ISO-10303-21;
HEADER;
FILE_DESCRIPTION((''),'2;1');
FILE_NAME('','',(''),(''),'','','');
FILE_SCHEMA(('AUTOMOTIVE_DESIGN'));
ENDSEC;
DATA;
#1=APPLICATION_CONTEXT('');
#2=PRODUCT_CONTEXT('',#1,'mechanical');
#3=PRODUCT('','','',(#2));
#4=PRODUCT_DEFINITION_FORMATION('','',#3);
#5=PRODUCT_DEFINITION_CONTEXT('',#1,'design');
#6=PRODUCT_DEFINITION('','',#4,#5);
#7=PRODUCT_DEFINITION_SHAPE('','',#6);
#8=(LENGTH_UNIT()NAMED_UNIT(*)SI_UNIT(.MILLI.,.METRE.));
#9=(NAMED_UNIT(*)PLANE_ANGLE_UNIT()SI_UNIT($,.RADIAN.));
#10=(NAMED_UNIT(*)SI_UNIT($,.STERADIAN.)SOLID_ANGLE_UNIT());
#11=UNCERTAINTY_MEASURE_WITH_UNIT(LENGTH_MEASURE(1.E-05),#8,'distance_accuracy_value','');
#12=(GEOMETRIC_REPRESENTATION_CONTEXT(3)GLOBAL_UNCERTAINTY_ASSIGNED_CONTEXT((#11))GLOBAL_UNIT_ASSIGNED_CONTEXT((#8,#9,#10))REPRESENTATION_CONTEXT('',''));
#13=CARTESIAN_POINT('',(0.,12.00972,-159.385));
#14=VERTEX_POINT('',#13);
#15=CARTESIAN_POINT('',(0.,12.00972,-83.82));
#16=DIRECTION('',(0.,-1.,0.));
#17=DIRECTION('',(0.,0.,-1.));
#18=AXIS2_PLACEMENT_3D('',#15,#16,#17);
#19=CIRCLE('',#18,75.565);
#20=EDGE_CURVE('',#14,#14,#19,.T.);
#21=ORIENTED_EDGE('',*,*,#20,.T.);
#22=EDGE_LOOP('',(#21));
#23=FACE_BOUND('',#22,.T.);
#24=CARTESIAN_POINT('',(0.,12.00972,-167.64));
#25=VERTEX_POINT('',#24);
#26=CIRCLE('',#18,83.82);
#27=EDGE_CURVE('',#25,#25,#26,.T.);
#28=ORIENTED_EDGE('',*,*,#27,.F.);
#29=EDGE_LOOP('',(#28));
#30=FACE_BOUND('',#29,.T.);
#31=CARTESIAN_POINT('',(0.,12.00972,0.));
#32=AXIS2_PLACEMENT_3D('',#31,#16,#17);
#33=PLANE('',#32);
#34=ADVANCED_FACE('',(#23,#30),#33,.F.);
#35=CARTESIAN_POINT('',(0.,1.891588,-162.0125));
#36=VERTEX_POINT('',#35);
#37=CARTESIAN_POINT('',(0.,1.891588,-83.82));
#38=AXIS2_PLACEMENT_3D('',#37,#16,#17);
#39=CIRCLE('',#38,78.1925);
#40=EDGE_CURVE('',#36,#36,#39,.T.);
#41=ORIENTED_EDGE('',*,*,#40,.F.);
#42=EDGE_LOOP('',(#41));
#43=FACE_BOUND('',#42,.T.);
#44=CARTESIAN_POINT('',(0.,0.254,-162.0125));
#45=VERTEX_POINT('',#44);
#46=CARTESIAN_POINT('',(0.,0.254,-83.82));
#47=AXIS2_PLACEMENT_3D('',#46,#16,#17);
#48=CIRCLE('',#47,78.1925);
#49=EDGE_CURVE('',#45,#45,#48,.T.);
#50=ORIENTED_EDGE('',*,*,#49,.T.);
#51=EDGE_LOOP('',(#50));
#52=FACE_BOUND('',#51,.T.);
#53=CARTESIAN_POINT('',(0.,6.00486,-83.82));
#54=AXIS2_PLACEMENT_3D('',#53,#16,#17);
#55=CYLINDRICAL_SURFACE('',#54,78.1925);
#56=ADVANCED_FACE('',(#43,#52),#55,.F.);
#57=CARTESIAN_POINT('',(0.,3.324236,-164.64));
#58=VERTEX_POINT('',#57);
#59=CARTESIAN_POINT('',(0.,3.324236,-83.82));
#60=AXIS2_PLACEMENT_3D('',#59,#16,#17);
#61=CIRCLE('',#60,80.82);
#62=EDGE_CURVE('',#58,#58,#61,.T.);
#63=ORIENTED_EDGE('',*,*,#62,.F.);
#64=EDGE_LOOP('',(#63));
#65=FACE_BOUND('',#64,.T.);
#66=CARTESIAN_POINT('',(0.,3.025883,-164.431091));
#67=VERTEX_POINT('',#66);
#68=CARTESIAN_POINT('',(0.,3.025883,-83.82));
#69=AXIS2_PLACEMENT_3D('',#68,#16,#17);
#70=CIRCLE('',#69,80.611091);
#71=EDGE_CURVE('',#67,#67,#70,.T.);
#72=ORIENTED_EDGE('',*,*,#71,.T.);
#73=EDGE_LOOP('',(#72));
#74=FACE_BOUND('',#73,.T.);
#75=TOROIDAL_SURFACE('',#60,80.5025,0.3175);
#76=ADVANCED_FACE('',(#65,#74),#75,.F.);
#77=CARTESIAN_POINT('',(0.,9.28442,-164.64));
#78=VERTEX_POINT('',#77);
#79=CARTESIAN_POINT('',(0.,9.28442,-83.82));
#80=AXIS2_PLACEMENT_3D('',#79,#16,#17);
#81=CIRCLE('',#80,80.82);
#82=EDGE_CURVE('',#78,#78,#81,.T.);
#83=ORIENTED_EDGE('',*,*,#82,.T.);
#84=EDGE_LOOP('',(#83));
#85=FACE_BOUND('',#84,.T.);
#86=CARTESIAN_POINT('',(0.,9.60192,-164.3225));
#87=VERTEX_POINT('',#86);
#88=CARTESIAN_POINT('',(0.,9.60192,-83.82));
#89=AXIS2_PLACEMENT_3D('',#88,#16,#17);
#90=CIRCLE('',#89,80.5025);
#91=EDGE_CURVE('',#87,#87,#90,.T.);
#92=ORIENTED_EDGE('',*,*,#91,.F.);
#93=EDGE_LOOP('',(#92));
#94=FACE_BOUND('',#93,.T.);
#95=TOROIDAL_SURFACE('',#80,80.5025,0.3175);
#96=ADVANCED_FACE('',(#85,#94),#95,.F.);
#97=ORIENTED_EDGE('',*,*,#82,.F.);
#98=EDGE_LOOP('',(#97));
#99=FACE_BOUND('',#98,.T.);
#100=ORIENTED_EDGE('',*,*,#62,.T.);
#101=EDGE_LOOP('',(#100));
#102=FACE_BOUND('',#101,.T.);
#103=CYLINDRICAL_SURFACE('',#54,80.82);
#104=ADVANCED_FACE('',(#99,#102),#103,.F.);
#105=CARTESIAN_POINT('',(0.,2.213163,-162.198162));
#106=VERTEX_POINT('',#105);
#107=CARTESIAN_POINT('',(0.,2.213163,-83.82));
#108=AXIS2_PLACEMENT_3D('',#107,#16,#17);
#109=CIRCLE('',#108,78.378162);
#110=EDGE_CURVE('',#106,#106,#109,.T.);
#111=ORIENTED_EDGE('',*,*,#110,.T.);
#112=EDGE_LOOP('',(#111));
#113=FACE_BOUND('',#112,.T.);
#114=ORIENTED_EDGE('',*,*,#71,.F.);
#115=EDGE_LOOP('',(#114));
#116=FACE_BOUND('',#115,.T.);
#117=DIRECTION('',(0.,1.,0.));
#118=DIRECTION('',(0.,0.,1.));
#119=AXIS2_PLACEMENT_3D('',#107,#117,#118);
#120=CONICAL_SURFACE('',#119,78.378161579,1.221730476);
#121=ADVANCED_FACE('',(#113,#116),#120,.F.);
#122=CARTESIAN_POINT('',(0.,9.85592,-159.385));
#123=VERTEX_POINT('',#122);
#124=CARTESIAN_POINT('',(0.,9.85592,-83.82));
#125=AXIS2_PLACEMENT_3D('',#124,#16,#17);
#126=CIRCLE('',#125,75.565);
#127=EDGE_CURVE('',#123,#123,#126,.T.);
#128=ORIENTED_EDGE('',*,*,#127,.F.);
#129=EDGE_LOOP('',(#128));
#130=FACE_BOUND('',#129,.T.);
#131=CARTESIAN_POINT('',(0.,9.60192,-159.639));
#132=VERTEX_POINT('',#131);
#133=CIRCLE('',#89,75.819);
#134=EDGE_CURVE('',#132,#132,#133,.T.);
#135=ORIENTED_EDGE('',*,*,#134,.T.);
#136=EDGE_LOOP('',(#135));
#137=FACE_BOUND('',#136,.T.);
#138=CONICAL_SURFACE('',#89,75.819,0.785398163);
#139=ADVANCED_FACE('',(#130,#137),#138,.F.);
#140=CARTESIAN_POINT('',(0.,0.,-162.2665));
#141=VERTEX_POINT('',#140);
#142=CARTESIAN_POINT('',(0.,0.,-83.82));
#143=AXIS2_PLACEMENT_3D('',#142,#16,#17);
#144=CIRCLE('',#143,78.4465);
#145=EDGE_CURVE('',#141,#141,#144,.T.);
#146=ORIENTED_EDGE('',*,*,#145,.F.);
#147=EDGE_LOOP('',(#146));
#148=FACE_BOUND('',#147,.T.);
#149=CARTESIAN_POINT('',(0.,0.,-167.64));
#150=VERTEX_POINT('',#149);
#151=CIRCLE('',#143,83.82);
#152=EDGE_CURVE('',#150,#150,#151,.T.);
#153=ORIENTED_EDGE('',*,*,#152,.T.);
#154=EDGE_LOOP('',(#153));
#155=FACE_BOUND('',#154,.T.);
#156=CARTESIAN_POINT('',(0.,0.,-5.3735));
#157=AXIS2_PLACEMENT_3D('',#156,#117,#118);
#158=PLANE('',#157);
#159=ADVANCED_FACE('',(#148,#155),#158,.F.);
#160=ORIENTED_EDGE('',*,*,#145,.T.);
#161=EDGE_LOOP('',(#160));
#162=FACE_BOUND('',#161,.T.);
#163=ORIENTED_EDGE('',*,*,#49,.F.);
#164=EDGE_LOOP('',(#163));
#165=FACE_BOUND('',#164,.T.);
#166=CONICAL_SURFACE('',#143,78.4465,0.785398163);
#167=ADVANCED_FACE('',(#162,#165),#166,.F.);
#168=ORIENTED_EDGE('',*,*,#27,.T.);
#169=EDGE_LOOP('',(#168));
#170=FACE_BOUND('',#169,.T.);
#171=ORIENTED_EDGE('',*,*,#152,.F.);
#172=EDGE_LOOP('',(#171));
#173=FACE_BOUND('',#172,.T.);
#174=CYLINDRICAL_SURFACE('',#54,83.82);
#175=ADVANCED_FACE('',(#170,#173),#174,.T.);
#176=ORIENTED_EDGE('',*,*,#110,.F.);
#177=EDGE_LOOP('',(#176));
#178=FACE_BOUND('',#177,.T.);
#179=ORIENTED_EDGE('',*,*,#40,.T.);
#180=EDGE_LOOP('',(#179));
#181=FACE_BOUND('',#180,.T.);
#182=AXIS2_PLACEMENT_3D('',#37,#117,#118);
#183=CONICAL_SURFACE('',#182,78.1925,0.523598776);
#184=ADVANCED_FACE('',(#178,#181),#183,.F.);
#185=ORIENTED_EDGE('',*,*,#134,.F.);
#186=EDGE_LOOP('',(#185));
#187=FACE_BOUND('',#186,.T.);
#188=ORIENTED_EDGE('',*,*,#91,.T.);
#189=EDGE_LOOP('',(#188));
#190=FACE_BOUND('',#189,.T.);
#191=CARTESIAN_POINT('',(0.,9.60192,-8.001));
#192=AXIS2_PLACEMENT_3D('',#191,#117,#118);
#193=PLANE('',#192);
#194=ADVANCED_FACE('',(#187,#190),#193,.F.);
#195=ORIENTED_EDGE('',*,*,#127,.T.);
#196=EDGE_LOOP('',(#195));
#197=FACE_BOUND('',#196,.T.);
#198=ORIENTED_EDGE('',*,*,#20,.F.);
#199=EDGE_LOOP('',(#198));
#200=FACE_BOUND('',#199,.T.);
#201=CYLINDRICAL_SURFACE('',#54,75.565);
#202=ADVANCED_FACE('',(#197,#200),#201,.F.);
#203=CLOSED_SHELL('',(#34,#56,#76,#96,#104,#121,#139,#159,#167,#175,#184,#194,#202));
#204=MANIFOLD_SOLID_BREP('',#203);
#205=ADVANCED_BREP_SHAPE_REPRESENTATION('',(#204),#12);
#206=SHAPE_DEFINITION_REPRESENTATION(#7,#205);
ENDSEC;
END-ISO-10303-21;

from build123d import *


with BuildPart() as part:
    # Sketch1 → Revolve3 (revolve)
    with BuildSketch(Plane(origin=(0, 0, 0), x_dir=(0, 0, -1), z_dir=(1, 0, 0))):
        with BuildLine():
            Line((8.255, 9.855919884), (8.001, 9.601919884))
            Line((8.001, 9.601919884), (3.3175, 9.601919884))
            ThreePointArc((3.3175, 9.601919884), (3.092993597, 9.508926287), (3, 9.284419884))
            Line((3, 9.284419884), (3, 3.324235778))
            ThreePointArc((3, 3.324235778), (3.057419226, 3.142125259), (3.208908604, 3.025883371))
            Line((3.208908604, 3.025883371), (5.441838421, 2.213163382))
            Line((5.441838421, 2.213163382), (5.6275, 1.891588094))
            Line((5.6275, 1.891588094), (5.6275, 0.254))
            Line((5.6275, 0.254), (5.3735, 0))
            Line((5.3735, 0), (0, 0))
            Line((0, 0), (0, 12.009719884))
            Line((0, 12.009719884), (8.255, 12.009719884))
            Line((8.255, 12.009719884), (8.255, 9.855919884))
        make_face()
    revolve(axis=Axis((0, 6.004859942, -83.82), (0, 1, 0)))


solid = part.part
